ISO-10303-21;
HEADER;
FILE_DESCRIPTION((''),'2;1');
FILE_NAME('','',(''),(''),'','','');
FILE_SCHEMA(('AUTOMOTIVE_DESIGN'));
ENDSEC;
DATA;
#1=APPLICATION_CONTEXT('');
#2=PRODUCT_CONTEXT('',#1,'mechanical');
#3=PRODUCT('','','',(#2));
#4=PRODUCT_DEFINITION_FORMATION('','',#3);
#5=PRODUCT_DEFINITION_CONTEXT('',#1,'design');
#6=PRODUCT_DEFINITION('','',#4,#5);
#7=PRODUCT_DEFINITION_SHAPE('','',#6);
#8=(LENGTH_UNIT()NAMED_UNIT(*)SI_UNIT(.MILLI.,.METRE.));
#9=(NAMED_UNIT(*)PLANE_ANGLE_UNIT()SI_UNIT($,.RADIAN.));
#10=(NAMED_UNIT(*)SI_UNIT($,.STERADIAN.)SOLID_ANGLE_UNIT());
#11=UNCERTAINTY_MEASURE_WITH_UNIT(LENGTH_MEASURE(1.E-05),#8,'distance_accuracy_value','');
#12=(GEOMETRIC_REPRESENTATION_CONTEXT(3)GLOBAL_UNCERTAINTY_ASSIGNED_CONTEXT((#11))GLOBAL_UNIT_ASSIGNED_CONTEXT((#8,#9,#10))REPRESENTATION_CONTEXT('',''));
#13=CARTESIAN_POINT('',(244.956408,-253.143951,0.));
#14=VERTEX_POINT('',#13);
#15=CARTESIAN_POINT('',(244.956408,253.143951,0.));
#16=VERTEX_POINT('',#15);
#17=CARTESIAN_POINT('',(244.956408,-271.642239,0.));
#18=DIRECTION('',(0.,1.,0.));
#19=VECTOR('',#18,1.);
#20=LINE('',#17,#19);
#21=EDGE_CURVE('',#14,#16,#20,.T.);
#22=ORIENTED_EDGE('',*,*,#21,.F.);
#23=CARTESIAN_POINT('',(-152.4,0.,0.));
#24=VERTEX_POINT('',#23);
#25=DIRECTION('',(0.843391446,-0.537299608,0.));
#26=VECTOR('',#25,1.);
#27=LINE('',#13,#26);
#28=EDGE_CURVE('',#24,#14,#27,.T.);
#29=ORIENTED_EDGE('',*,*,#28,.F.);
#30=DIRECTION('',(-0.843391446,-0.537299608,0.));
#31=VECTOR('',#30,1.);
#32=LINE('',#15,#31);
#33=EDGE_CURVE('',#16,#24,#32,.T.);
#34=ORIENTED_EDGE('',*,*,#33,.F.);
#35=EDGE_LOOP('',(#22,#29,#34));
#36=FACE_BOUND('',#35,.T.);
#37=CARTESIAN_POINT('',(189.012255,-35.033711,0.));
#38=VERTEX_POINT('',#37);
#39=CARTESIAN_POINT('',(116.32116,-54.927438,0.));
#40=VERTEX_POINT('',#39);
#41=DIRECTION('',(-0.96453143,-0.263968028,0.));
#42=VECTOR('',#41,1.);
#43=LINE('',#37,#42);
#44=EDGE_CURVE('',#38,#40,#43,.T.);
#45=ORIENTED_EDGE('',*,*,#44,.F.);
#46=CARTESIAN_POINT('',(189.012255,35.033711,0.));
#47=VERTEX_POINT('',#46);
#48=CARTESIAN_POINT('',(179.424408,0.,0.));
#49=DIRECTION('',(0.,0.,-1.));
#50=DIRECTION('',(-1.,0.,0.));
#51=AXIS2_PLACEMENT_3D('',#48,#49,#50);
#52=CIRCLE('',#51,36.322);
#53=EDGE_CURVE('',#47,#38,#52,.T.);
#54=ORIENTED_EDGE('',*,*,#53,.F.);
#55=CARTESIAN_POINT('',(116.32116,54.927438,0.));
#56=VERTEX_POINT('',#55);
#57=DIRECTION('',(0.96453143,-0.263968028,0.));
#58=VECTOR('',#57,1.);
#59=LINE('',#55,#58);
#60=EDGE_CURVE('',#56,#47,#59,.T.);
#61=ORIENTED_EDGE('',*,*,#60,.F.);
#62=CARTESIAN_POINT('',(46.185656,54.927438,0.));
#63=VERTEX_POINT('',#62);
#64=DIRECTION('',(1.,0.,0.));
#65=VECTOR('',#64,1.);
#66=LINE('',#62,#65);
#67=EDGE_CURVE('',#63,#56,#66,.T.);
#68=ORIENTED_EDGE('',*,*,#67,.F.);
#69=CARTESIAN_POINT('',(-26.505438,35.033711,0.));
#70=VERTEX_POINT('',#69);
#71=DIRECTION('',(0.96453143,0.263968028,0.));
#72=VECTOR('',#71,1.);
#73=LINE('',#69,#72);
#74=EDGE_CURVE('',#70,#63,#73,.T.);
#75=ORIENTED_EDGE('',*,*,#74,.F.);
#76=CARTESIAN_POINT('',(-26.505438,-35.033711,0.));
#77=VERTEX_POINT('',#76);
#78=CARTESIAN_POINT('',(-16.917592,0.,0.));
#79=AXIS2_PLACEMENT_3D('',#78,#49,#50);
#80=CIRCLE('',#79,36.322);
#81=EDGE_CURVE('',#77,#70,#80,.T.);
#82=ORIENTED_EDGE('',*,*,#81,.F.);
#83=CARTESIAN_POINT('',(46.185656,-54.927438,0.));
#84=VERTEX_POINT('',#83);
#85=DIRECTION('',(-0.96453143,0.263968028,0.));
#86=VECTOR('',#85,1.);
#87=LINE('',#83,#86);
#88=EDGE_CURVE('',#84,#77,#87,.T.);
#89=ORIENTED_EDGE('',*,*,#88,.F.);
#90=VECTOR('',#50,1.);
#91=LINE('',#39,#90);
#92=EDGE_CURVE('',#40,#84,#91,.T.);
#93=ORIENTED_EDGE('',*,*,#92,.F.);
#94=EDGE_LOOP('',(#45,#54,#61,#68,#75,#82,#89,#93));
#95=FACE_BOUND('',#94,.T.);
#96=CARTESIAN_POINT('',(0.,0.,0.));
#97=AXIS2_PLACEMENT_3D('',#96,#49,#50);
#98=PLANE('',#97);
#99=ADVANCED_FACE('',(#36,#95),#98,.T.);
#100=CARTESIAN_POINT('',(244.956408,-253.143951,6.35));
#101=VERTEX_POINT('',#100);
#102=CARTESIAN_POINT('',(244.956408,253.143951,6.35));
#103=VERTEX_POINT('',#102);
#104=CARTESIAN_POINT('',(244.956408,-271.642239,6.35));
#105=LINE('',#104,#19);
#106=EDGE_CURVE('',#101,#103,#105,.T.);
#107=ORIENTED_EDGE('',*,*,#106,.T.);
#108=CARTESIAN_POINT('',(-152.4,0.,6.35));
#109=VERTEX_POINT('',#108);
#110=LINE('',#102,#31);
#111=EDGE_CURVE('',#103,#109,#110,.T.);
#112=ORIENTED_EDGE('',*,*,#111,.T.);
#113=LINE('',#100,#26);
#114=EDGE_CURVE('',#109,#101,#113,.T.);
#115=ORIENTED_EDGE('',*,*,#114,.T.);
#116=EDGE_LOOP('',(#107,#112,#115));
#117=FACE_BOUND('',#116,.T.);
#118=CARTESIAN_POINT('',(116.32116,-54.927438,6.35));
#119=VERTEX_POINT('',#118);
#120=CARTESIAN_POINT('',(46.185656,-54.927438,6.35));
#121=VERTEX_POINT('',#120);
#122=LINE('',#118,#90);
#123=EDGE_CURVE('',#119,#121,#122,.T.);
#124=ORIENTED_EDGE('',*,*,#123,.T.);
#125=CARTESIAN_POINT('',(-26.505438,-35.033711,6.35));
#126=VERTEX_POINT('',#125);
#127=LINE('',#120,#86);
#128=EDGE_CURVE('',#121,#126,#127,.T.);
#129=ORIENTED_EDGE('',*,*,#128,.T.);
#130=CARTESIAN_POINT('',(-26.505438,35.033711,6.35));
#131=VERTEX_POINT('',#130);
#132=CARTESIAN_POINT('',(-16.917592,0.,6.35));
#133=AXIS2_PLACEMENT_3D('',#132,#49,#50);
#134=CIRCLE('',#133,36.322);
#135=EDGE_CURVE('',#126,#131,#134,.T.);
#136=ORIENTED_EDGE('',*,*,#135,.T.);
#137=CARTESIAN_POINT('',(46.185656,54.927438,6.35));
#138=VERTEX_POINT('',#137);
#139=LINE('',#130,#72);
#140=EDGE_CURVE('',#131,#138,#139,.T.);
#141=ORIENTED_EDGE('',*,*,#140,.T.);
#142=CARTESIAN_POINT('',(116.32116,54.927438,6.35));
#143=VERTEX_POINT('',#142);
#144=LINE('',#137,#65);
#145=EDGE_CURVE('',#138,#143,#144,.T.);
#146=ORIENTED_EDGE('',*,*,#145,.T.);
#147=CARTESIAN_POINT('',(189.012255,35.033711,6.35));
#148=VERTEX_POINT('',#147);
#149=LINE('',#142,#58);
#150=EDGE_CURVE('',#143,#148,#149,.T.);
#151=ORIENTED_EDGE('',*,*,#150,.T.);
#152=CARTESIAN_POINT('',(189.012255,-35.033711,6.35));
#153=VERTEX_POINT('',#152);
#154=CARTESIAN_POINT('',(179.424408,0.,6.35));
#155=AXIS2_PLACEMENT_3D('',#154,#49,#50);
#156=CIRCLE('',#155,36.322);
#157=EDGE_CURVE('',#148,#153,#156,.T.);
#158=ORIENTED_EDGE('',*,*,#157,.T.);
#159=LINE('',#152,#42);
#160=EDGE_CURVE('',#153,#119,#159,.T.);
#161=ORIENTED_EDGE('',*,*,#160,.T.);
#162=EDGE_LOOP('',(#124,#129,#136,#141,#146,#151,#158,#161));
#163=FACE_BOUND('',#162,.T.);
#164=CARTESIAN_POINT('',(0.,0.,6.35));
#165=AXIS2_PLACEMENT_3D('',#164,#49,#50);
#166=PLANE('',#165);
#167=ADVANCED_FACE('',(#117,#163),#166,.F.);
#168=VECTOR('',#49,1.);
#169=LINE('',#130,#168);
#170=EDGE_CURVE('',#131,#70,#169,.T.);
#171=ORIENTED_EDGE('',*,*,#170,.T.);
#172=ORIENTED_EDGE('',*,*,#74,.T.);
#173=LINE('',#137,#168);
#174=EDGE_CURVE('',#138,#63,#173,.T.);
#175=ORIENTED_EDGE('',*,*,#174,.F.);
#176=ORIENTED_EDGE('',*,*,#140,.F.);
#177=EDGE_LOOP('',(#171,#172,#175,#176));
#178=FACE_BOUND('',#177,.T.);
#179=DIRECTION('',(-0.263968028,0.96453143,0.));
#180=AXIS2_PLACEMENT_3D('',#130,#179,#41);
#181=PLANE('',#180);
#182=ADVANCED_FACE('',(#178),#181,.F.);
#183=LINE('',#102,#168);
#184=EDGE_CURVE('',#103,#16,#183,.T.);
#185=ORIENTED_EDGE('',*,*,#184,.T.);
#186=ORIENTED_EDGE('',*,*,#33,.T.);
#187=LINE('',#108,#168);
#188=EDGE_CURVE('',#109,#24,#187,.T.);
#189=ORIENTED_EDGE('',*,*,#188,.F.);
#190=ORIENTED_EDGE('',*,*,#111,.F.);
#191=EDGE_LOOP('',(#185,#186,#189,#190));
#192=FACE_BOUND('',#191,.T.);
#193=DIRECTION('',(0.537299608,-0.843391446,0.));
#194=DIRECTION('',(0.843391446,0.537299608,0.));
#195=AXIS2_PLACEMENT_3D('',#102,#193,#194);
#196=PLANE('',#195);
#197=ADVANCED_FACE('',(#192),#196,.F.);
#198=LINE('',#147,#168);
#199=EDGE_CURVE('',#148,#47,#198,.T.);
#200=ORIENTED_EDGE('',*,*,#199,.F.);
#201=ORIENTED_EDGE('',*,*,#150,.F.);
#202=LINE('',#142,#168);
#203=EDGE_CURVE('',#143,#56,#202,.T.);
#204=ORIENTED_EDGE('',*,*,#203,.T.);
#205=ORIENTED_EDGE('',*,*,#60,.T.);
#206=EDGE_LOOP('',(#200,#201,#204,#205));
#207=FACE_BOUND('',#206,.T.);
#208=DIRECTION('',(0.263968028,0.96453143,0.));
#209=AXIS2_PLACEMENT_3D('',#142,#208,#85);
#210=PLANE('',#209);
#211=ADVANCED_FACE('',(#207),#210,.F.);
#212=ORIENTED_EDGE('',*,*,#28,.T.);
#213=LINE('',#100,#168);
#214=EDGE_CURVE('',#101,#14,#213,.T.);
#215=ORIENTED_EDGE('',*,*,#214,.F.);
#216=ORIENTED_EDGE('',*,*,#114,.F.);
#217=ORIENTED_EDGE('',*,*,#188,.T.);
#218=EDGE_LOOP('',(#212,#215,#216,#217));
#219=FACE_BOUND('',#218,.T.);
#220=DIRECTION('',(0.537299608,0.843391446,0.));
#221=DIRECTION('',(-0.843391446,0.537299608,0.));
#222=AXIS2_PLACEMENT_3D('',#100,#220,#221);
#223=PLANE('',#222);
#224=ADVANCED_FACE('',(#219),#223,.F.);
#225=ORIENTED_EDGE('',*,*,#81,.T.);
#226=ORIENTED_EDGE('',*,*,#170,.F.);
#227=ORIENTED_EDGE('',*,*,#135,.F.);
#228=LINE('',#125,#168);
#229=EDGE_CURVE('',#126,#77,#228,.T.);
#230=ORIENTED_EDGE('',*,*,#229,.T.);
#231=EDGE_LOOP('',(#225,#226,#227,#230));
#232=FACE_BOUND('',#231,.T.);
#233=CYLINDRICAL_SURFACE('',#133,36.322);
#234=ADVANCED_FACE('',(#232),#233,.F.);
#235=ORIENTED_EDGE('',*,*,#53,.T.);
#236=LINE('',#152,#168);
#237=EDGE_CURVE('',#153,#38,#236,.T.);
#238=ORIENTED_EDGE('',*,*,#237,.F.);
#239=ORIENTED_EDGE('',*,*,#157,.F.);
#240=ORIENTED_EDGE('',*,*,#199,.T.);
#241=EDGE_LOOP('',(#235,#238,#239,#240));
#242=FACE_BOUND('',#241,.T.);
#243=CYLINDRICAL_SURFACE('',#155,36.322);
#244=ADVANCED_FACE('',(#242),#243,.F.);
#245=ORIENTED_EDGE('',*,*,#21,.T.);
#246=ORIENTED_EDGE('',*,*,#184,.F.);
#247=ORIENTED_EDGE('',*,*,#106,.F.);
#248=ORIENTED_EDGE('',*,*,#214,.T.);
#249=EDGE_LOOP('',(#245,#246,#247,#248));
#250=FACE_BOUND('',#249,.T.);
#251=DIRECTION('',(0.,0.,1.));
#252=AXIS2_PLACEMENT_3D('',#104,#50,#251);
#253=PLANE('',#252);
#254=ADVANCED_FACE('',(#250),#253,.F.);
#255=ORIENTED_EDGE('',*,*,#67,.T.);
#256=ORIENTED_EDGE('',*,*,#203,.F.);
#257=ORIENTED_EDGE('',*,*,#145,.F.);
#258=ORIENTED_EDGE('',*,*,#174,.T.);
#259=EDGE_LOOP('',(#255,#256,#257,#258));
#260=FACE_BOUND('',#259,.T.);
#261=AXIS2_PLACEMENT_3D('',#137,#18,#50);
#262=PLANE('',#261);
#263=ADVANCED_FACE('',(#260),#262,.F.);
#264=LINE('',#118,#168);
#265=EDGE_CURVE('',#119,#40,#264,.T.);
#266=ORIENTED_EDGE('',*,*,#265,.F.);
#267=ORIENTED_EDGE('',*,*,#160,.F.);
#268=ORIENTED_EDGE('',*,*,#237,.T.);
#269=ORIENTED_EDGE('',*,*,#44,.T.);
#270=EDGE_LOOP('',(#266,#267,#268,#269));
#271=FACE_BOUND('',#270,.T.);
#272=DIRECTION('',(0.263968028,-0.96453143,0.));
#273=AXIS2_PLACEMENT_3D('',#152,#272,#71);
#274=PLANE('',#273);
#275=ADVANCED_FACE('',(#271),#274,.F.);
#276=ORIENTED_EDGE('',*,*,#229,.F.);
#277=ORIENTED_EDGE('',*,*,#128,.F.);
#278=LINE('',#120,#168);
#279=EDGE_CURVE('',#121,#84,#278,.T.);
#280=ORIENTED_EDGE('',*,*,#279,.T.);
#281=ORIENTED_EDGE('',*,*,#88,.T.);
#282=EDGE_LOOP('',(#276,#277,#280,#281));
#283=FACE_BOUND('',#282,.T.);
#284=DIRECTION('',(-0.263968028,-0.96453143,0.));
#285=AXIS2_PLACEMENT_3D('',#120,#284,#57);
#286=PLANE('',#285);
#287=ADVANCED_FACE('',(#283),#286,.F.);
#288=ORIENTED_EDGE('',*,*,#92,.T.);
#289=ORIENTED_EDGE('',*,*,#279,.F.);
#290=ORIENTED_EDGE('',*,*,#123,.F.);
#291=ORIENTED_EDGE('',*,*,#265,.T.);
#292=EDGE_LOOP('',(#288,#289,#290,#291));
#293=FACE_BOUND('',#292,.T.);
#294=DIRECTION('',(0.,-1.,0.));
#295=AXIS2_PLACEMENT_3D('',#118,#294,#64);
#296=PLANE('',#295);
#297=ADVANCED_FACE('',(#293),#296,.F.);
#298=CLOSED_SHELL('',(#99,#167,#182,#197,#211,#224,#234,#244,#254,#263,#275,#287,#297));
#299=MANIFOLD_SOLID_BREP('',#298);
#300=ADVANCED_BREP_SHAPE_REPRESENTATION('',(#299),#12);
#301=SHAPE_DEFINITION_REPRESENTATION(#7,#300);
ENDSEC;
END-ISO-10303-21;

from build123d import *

# Parameters (mm, degrees)
BOSS_EXTRUDE1_DEPTH = 6.35
CUT_EXTRUDE1_DEPTH  = 7.35
SKETCH3_OUTSIDE_W   = 609.496
SKETCH3_OUTSIDE_H   = 769.968
CUT_EXTRUDE6_DEPTH  = 7.35


with BuildPart() as part:
    # Sketch1 → Boss-Extrude1 (new body)
    with BuildSketch(Plane.XY):
        Polygon((228.232926514, 307.505861177), (-209.583790114, 0.94329584), (-209.583790114, -0.94329584), (228.232926514, -307.505861177), (244.956408235, -271.642238892), (244.956408235, 271.642238892), align=None)
    extrude(amount=BOSS_EXTRUDE1_DEPTH)

    # Sketch2 → Cut-Extrude1 (cut, through all)
    with BuildSketch(Plane(origin=(0, 0, 0), x_dir=(-1, 0, 0), z_dir=(0, 0, -1))):
        with BuildLine():
            Line((-46.185656441, -54.927437645), (26.505438481, -35.03371061))
            ThreePointArc((26.505438481, -35.03371061), (53.239591757, 0), (26.505438481, 35.03371061))
            Line((26.505438481, 35.03371061), (-46.185656445, 54.927437638))
            Line((-46.185656445, 54.927437638), (-116.321160011, 54.927437643))
            Line((-116.321160011, 54.927437643), (-189.012254957, 35.03371061))
            ThreePointArc((-189.012254957, 35.03371061), (-215.746408235, 1e-09), (-189.012254959, -35.033710609))
            Line((-189.012254959, -35.033710609), (-116.32116001, -54.927437641))
            Line((-116.32116001, -54.927437641), (-46.185656441, -54.927437645))
        make_face()
    extrude(amount=-CUT_EXTRUDE1_DEPTH, mode=Mode.SUBTRACT)

    # Sketch3 outside → Cut-Extrude6 (cut, through all)
    with BuildSketch(Plane.XY):
        with Locations((17.686, 0)):
            Rectangle(SKETCH3_OUTSIDE_W, SKETCH3_OUTSIDE_H)
        Polygon((244.956408235, -253.143950628), (-152.4, 0), (244.956408235, 253.143950628), align=None, mode=Mode.SUBTRACT)
    extrude(amount=CUT_EXTRUDE6_DEPTH, mode=Mode.SUBTRACT)


solid = part.part
